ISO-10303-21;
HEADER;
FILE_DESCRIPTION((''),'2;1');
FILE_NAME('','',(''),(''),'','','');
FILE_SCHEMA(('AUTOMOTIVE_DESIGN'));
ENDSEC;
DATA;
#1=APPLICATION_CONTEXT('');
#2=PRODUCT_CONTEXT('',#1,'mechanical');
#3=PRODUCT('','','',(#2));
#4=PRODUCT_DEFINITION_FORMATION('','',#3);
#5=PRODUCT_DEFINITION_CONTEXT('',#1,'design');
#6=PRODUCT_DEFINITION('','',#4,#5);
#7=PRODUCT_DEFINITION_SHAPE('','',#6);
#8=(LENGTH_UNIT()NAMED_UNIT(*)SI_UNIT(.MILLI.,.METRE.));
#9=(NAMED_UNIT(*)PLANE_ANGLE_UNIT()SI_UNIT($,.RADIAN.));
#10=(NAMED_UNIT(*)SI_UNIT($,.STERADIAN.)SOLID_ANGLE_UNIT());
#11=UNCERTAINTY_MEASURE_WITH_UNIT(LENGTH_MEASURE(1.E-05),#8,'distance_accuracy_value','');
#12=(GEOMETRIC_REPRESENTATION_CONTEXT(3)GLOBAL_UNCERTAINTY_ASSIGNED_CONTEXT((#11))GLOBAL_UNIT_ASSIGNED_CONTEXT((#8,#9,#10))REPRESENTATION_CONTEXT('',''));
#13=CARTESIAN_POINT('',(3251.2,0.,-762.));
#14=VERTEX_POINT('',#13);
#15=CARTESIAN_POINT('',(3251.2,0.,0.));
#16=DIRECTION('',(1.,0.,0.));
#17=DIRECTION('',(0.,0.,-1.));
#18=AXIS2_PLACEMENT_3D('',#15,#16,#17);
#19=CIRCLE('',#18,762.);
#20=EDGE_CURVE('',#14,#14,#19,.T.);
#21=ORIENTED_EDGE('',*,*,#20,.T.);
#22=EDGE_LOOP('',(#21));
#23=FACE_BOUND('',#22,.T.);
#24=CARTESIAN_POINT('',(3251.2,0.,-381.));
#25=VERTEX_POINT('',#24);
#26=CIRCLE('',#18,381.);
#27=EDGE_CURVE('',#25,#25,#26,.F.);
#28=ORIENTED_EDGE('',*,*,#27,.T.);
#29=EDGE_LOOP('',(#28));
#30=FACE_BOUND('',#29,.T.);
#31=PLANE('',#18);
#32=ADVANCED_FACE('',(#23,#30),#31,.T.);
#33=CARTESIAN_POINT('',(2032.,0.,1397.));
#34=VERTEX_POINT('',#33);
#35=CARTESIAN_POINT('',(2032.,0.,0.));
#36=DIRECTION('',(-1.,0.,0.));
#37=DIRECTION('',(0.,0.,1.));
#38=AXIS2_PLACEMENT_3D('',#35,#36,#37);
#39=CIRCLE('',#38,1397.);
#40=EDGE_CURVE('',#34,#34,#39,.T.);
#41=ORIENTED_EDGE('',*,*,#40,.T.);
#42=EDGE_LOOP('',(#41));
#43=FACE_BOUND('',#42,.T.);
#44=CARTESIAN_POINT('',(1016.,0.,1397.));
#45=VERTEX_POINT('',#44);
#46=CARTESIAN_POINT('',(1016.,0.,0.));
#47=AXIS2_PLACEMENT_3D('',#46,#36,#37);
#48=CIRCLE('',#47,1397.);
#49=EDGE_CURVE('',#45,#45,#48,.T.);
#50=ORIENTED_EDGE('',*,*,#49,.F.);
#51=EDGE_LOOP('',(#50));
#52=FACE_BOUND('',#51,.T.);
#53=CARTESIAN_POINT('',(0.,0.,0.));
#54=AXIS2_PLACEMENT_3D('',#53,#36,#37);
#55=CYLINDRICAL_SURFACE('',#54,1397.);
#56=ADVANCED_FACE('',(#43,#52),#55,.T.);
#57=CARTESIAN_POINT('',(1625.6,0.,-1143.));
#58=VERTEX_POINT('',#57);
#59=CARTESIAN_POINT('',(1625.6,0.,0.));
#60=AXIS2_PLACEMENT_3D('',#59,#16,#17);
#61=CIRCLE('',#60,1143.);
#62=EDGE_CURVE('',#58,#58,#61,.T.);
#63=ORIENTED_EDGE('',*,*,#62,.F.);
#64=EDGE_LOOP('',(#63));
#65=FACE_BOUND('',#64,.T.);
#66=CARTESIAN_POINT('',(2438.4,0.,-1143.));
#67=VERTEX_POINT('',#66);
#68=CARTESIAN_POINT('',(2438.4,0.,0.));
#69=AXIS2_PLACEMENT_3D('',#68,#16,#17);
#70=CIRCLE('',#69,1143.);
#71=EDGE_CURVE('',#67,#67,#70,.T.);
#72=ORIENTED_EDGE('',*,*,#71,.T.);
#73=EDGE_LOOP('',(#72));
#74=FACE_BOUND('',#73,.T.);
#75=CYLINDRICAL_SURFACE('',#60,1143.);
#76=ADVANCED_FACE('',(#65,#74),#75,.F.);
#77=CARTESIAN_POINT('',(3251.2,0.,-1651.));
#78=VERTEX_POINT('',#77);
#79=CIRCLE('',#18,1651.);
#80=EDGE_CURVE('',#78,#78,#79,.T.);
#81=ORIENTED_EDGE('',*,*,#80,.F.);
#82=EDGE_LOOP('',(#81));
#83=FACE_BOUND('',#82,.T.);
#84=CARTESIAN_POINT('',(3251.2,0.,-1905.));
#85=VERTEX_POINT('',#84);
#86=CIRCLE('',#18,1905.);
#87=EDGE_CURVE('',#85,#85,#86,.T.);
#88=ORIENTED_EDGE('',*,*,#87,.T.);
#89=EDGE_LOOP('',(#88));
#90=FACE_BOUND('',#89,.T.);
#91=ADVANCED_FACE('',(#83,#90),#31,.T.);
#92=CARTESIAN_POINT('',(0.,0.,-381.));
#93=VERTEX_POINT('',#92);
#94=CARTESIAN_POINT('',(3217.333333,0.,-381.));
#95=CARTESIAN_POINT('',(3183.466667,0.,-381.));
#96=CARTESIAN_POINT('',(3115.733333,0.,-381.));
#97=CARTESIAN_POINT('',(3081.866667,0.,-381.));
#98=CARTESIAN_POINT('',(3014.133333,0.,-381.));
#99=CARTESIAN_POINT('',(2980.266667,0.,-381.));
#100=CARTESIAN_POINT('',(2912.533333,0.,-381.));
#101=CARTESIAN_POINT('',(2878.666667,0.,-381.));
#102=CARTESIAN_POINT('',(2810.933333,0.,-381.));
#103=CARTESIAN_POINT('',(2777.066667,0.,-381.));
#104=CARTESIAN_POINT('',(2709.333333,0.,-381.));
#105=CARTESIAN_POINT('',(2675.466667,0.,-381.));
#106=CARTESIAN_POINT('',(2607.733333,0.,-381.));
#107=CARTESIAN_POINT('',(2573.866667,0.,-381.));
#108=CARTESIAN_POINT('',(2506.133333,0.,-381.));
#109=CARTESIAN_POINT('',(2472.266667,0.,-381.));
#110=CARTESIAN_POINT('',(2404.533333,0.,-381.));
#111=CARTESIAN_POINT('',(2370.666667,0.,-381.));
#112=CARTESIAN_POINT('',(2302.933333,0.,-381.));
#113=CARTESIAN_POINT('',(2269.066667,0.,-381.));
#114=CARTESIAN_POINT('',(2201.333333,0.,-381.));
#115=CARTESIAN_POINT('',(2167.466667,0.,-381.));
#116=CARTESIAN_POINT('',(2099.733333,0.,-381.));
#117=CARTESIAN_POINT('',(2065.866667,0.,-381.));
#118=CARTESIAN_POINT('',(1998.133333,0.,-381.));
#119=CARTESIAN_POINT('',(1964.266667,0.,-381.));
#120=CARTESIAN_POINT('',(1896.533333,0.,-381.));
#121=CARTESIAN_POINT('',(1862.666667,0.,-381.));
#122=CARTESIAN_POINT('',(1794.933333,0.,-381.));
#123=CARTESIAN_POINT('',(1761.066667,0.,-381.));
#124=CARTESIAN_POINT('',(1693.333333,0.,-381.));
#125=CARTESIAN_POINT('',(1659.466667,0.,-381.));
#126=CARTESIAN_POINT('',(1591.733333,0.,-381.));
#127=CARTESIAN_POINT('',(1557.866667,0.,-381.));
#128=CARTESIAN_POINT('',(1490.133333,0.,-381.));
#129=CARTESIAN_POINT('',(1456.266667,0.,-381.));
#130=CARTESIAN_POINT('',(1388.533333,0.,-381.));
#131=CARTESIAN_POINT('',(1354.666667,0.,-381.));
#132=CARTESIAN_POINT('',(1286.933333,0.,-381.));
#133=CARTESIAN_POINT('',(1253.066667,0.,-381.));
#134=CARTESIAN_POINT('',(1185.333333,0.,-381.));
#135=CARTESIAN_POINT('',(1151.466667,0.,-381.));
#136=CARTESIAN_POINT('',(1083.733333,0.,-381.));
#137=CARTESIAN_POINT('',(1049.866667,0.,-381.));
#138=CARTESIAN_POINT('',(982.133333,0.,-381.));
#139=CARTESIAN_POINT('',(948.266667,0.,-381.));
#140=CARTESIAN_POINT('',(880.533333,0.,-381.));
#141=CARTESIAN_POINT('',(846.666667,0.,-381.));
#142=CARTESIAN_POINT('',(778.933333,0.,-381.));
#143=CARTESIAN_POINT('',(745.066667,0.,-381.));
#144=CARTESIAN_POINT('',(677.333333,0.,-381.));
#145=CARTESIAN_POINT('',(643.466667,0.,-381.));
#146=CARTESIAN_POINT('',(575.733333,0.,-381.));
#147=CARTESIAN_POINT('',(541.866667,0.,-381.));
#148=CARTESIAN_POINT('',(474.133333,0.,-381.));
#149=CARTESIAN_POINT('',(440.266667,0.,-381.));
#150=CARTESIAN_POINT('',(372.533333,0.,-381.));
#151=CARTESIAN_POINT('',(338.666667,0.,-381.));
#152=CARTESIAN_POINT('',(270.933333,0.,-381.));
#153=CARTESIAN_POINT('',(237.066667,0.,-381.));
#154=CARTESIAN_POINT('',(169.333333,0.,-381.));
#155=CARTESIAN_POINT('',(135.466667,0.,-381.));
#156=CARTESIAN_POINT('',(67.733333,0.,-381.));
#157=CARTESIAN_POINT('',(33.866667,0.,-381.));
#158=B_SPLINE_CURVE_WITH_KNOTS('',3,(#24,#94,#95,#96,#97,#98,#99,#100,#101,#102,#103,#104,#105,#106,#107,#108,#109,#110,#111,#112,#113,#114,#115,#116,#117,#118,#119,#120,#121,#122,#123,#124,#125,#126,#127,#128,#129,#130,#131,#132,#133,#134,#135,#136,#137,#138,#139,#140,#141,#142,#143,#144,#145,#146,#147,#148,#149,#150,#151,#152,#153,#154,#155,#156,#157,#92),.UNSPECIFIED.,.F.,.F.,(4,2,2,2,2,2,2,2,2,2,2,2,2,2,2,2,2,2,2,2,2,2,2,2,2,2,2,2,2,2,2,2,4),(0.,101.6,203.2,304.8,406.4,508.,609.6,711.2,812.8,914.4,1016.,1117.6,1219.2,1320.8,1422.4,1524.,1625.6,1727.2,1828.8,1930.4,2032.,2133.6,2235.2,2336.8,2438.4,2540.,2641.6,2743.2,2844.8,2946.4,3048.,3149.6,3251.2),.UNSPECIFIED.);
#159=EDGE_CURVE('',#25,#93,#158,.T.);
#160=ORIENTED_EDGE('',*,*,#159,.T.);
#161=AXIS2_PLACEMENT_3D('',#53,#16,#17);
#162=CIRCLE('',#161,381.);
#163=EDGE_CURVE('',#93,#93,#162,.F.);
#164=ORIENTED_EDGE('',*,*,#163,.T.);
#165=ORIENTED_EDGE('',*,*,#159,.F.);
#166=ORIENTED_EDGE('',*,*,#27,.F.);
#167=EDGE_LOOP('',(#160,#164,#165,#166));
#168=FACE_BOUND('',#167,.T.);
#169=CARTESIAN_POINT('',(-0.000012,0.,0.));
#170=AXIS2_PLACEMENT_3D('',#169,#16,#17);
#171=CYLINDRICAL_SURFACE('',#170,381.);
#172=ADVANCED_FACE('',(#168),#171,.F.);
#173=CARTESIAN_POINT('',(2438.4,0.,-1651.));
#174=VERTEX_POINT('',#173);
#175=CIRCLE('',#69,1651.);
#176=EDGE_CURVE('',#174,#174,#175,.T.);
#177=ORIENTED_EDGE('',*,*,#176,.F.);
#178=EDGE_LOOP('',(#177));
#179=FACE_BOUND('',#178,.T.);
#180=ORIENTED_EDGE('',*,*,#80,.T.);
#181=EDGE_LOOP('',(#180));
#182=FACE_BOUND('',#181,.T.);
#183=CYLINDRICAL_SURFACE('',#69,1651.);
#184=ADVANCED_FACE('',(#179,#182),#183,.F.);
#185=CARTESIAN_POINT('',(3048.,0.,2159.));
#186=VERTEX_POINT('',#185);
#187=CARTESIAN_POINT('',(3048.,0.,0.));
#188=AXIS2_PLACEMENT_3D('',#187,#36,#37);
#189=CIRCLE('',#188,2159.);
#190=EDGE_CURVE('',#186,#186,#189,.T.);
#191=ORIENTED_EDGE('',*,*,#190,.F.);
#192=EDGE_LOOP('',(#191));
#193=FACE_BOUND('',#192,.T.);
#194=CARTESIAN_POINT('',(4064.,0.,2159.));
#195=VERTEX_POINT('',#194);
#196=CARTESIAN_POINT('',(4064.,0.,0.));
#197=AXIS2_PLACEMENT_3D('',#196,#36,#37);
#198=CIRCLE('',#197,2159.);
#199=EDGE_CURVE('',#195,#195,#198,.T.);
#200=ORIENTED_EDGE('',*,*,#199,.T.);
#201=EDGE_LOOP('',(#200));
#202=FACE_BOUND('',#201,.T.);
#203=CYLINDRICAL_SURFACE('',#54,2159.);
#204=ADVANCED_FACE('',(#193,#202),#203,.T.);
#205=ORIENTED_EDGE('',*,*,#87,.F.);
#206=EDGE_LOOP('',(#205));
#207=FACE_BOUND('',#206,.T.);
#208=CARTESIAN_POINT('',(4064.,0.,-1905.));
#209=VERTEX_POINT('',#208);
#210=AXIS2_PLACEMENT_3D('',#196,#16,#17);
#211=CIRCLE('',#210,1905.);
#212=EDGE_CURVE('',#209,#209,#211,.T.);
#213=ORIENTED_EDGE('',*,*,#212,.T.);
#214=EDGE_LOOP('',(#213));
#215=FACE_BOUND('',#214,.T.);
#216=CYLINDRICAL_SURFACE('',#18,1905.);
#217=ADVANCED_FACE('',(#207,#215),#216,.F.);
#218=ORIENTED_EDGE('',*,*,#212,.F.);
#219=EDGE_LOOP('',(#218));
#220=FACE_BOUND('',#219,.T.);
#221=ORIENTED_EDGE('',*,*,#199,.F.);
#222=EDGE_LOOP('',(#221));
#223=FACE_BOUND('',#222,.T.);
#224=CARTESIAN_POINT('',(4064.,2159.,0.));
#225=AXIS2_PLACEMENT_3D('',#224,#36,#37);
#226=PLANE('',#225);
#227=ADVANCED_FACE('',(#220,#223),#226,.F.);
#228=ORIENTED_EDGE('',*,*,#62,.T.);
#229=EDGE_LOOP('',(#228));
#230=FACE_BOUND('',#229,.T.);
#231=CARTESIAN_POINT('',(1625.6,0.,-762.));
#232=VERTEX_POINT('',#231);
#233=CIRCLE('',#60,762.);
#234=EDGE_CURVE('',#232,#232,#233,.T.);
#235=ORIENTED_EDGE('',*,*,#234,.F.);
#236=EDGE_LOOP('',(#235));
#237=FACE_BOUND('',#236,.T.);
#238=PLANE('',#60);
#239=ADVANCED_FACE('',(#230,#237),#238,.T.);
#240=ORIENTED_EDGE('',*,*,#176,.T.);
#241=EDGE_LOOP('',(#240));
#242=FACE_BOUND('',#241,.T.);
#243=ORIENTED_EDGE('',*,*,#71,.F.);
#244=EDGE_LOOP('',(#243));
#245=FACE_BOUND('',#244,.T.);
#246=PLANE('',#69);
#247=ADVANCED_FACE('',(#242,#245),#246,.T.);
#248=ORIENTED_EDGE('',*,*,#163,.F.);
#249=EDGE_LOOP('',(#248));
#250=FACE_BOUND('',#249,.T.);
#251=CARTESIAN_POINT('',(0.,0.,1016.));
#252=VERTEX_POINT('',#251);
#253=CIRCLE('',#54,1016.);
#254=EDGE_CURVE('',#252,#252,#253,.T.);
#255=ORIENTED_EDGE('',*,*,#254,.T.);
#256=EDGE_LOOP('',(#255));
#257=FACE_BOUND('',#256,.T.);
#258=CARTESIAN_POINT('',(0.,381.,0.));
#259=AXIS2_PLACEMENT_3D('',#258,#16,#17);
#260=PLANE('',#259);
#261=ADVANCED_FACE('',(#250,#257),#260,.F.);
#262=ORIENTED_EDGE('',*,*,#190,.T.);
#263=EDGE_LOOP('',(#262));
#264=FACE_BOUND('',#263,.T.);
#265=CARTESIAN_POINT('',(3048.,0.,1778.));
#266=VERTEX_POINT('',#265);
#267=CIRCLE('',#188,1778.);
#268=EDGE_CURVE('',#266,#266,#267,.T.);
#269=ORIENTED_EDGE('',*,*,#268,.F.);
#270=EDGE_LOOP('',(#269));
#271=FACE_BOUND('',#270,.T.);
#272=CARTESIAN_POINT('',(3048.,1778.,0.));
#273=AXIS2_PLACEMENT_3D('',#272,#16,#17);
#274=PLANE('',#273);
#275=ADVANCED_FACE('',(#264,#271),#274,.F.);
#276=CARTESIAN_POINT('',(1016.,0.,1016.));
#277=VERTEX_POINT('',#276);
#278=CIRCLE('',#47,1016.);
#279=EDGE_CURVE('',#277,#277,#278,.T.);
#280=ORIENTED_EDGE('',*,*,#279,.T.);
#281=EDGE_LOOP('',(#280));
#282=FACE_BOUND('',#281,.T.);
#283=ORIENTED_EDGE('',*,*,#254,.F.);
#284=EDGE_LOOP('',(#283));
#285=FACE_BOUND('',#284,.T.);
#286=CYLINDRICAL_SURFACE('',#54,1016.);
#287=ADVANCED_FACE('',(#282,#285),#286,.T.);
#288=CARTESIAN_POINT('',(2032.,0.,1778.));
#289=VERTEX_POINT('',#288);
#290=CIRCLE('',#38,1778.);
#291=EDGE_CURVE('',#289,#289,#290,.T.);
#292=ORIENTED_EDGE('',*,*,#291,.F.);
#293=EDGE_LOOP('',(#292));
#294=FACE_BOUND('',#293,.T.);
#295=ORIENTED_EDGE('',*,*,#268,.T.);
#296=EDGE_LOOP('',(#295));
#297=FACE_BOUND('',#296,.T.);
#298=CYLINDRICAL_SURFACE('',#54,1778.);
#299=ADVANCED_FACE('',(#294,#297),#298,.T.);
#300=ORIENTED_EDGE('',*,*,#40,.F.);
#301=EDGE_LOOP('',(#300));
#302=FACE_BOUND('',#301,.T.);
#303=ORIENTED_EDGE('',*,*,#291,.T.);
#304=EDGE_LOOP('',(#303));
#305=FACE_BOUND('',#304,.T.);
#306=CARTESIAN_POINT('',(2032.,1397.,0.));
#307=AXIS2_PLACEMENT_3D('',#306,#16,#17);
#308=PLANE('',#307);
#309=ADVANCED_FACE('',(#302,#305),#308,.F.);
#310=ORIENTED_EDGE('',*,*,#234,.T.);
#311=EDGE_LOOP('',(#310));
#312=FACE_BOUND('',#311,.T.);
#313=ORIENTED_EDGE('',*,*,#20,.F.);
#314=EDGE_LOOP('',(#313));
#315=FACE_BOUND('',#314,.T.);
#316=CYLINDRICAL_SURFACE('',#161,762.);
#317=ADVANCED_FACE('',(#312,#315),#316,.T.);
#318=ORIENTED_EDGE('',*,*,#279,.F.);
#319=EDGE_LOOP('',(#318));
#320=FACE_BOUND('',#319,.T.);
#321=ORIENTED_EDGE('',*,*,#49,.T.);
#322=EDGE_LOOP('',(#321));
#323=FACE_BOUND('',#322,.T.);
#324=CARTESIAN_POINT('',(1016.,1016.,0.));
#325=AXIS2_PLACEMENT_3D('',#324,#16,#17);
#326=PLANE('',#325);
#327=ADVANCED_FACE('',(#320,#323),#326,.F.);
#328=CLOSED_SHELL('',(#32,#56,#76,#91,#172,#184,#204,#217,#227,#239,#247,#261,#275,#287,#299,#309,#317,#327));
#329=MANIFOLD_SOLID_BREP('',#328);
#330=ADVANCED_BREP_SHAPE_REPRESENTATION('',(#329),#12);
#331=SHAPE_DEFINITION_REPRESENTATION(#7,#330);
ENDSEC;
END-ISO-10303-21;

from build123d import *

# Parameters (mm, degrees)
SKETCH5_R                      = 1905
CUT_EXTRUDE2_DEPTH             = 812.8
SKETCH6_R                      = 1651
CUT_EXTRUDE3_DEPTH             = 812.8
SKETCH8_R                      = 1143
CUT_EXTRUDE5_DEPTH             = 812.8
SKETCH11_R                     = 762
BOSS_EXTRUDE2_DEPTH            = 3251.2
CUT_EXTRUDE7_REACH             = 5085.174
SKETCH12_R                     = 381
CUT_EXTRUDE7_DIRECTION_2_DEPTH = 5084.174008432


with BuildPart() as part:
    # Sketch1 → Revolve1 (revolve)
    with BuildSketch(Plane.XY, mode=Mode.PRIVATE) as revolve1_sk:
        Polygon((0, 381), (0, 1016), (1016, 1016), (1016, 1397), (2032, 1397), (2032, 1778), (3048, 1778), (3048, 2159), (4064, 2159), (4064, 381), align=None)
    revolve(revolve1_sk.sketch.rotate(Axis((0, 0, 0), (1, 0, 0)), 90), axis=Axis((0, 0, 0), (1, 0, 0)))

    # Sketch5 → Cut-Extrude2 (cut)
    with BuildSketch(Plane(origin=(4064, 0, 0), x_dir=(0, 0, -1), z_dir=(1, 0, 0))):
        Circle(SKETCH5_R)
    extrude(amount=-CUT_EXTRUDE2_DEPTH, mode=Mode.SUBTRACT)

    # Sketch6 → Cut-Extrude3 (cut)
    with BuildSketch(Plane(origin=(3251.2, 0, 0), x_dir=(0, 0, -1), z_dir=(1, 0, 0))):
        Circle(SKETCH6_R)
    extrude(amount=-CUT_EXTRUDE3_DEPTH, mode=Mode.SUBTRACT)

    # Sketch8 → Cut-Extrude5 (cut)
    with BuildSketch(Plane(origin=(2438.4, 0, 0), x_dir=(0, 0, -1), z_dir=(1, 0, 0))):
        Circle(SKETCH8_R)
    extrude(amount=-CUT_EXTRUDE5_DEPTH, mode=Mode.SUBTRACT)

    # Sketch11 → Boss-Extrude2 (add, through all)
    with BuildSketch(Plane(origin=(3251.2, 0, 0), x_dir=(0, 0, -1), z_dir=(1, 0, 0))):
        Circle(SKETCH11_R)
    extrude(amount=-BOSS_EXTRUDE2_DEPTH)

    # Sketch12 → Cut-Extrude7 (cut, up to next)
    with BuildSketch(Plane.ZY, mode=Mode.PRIVATE) as cut_extrude7_sk1:
        with Locations(Location((0, 0, 0), (0, 0, 180))):
            Circle(SKETCH12_R)
    cut_extrude7_tool1 = extrude(cut_extrude7_sk1.sketch, amount=-CUT_EXTRUDE7_REACH, mode=Mode.PRIVATE) & part.part
    add(cut_extrude7_tool1.solids().sort_by_distance((0, 0, 0))[0], mode=Mode.SUBTRACT)

    # Sketch12 → Cut-Extrude7 direction 2 (cut)
    with BuildSketch(Plane.ZY):
        with Locations(Location((0, 0, 0), (0, 0, 180))):
            Circle(SKETCH12_R)
    extrude(amount=CUT_EXTRUDE7_DIRECTION_2_DEPTH, mode=Mode.SUBTRACT)


solid = part.part
